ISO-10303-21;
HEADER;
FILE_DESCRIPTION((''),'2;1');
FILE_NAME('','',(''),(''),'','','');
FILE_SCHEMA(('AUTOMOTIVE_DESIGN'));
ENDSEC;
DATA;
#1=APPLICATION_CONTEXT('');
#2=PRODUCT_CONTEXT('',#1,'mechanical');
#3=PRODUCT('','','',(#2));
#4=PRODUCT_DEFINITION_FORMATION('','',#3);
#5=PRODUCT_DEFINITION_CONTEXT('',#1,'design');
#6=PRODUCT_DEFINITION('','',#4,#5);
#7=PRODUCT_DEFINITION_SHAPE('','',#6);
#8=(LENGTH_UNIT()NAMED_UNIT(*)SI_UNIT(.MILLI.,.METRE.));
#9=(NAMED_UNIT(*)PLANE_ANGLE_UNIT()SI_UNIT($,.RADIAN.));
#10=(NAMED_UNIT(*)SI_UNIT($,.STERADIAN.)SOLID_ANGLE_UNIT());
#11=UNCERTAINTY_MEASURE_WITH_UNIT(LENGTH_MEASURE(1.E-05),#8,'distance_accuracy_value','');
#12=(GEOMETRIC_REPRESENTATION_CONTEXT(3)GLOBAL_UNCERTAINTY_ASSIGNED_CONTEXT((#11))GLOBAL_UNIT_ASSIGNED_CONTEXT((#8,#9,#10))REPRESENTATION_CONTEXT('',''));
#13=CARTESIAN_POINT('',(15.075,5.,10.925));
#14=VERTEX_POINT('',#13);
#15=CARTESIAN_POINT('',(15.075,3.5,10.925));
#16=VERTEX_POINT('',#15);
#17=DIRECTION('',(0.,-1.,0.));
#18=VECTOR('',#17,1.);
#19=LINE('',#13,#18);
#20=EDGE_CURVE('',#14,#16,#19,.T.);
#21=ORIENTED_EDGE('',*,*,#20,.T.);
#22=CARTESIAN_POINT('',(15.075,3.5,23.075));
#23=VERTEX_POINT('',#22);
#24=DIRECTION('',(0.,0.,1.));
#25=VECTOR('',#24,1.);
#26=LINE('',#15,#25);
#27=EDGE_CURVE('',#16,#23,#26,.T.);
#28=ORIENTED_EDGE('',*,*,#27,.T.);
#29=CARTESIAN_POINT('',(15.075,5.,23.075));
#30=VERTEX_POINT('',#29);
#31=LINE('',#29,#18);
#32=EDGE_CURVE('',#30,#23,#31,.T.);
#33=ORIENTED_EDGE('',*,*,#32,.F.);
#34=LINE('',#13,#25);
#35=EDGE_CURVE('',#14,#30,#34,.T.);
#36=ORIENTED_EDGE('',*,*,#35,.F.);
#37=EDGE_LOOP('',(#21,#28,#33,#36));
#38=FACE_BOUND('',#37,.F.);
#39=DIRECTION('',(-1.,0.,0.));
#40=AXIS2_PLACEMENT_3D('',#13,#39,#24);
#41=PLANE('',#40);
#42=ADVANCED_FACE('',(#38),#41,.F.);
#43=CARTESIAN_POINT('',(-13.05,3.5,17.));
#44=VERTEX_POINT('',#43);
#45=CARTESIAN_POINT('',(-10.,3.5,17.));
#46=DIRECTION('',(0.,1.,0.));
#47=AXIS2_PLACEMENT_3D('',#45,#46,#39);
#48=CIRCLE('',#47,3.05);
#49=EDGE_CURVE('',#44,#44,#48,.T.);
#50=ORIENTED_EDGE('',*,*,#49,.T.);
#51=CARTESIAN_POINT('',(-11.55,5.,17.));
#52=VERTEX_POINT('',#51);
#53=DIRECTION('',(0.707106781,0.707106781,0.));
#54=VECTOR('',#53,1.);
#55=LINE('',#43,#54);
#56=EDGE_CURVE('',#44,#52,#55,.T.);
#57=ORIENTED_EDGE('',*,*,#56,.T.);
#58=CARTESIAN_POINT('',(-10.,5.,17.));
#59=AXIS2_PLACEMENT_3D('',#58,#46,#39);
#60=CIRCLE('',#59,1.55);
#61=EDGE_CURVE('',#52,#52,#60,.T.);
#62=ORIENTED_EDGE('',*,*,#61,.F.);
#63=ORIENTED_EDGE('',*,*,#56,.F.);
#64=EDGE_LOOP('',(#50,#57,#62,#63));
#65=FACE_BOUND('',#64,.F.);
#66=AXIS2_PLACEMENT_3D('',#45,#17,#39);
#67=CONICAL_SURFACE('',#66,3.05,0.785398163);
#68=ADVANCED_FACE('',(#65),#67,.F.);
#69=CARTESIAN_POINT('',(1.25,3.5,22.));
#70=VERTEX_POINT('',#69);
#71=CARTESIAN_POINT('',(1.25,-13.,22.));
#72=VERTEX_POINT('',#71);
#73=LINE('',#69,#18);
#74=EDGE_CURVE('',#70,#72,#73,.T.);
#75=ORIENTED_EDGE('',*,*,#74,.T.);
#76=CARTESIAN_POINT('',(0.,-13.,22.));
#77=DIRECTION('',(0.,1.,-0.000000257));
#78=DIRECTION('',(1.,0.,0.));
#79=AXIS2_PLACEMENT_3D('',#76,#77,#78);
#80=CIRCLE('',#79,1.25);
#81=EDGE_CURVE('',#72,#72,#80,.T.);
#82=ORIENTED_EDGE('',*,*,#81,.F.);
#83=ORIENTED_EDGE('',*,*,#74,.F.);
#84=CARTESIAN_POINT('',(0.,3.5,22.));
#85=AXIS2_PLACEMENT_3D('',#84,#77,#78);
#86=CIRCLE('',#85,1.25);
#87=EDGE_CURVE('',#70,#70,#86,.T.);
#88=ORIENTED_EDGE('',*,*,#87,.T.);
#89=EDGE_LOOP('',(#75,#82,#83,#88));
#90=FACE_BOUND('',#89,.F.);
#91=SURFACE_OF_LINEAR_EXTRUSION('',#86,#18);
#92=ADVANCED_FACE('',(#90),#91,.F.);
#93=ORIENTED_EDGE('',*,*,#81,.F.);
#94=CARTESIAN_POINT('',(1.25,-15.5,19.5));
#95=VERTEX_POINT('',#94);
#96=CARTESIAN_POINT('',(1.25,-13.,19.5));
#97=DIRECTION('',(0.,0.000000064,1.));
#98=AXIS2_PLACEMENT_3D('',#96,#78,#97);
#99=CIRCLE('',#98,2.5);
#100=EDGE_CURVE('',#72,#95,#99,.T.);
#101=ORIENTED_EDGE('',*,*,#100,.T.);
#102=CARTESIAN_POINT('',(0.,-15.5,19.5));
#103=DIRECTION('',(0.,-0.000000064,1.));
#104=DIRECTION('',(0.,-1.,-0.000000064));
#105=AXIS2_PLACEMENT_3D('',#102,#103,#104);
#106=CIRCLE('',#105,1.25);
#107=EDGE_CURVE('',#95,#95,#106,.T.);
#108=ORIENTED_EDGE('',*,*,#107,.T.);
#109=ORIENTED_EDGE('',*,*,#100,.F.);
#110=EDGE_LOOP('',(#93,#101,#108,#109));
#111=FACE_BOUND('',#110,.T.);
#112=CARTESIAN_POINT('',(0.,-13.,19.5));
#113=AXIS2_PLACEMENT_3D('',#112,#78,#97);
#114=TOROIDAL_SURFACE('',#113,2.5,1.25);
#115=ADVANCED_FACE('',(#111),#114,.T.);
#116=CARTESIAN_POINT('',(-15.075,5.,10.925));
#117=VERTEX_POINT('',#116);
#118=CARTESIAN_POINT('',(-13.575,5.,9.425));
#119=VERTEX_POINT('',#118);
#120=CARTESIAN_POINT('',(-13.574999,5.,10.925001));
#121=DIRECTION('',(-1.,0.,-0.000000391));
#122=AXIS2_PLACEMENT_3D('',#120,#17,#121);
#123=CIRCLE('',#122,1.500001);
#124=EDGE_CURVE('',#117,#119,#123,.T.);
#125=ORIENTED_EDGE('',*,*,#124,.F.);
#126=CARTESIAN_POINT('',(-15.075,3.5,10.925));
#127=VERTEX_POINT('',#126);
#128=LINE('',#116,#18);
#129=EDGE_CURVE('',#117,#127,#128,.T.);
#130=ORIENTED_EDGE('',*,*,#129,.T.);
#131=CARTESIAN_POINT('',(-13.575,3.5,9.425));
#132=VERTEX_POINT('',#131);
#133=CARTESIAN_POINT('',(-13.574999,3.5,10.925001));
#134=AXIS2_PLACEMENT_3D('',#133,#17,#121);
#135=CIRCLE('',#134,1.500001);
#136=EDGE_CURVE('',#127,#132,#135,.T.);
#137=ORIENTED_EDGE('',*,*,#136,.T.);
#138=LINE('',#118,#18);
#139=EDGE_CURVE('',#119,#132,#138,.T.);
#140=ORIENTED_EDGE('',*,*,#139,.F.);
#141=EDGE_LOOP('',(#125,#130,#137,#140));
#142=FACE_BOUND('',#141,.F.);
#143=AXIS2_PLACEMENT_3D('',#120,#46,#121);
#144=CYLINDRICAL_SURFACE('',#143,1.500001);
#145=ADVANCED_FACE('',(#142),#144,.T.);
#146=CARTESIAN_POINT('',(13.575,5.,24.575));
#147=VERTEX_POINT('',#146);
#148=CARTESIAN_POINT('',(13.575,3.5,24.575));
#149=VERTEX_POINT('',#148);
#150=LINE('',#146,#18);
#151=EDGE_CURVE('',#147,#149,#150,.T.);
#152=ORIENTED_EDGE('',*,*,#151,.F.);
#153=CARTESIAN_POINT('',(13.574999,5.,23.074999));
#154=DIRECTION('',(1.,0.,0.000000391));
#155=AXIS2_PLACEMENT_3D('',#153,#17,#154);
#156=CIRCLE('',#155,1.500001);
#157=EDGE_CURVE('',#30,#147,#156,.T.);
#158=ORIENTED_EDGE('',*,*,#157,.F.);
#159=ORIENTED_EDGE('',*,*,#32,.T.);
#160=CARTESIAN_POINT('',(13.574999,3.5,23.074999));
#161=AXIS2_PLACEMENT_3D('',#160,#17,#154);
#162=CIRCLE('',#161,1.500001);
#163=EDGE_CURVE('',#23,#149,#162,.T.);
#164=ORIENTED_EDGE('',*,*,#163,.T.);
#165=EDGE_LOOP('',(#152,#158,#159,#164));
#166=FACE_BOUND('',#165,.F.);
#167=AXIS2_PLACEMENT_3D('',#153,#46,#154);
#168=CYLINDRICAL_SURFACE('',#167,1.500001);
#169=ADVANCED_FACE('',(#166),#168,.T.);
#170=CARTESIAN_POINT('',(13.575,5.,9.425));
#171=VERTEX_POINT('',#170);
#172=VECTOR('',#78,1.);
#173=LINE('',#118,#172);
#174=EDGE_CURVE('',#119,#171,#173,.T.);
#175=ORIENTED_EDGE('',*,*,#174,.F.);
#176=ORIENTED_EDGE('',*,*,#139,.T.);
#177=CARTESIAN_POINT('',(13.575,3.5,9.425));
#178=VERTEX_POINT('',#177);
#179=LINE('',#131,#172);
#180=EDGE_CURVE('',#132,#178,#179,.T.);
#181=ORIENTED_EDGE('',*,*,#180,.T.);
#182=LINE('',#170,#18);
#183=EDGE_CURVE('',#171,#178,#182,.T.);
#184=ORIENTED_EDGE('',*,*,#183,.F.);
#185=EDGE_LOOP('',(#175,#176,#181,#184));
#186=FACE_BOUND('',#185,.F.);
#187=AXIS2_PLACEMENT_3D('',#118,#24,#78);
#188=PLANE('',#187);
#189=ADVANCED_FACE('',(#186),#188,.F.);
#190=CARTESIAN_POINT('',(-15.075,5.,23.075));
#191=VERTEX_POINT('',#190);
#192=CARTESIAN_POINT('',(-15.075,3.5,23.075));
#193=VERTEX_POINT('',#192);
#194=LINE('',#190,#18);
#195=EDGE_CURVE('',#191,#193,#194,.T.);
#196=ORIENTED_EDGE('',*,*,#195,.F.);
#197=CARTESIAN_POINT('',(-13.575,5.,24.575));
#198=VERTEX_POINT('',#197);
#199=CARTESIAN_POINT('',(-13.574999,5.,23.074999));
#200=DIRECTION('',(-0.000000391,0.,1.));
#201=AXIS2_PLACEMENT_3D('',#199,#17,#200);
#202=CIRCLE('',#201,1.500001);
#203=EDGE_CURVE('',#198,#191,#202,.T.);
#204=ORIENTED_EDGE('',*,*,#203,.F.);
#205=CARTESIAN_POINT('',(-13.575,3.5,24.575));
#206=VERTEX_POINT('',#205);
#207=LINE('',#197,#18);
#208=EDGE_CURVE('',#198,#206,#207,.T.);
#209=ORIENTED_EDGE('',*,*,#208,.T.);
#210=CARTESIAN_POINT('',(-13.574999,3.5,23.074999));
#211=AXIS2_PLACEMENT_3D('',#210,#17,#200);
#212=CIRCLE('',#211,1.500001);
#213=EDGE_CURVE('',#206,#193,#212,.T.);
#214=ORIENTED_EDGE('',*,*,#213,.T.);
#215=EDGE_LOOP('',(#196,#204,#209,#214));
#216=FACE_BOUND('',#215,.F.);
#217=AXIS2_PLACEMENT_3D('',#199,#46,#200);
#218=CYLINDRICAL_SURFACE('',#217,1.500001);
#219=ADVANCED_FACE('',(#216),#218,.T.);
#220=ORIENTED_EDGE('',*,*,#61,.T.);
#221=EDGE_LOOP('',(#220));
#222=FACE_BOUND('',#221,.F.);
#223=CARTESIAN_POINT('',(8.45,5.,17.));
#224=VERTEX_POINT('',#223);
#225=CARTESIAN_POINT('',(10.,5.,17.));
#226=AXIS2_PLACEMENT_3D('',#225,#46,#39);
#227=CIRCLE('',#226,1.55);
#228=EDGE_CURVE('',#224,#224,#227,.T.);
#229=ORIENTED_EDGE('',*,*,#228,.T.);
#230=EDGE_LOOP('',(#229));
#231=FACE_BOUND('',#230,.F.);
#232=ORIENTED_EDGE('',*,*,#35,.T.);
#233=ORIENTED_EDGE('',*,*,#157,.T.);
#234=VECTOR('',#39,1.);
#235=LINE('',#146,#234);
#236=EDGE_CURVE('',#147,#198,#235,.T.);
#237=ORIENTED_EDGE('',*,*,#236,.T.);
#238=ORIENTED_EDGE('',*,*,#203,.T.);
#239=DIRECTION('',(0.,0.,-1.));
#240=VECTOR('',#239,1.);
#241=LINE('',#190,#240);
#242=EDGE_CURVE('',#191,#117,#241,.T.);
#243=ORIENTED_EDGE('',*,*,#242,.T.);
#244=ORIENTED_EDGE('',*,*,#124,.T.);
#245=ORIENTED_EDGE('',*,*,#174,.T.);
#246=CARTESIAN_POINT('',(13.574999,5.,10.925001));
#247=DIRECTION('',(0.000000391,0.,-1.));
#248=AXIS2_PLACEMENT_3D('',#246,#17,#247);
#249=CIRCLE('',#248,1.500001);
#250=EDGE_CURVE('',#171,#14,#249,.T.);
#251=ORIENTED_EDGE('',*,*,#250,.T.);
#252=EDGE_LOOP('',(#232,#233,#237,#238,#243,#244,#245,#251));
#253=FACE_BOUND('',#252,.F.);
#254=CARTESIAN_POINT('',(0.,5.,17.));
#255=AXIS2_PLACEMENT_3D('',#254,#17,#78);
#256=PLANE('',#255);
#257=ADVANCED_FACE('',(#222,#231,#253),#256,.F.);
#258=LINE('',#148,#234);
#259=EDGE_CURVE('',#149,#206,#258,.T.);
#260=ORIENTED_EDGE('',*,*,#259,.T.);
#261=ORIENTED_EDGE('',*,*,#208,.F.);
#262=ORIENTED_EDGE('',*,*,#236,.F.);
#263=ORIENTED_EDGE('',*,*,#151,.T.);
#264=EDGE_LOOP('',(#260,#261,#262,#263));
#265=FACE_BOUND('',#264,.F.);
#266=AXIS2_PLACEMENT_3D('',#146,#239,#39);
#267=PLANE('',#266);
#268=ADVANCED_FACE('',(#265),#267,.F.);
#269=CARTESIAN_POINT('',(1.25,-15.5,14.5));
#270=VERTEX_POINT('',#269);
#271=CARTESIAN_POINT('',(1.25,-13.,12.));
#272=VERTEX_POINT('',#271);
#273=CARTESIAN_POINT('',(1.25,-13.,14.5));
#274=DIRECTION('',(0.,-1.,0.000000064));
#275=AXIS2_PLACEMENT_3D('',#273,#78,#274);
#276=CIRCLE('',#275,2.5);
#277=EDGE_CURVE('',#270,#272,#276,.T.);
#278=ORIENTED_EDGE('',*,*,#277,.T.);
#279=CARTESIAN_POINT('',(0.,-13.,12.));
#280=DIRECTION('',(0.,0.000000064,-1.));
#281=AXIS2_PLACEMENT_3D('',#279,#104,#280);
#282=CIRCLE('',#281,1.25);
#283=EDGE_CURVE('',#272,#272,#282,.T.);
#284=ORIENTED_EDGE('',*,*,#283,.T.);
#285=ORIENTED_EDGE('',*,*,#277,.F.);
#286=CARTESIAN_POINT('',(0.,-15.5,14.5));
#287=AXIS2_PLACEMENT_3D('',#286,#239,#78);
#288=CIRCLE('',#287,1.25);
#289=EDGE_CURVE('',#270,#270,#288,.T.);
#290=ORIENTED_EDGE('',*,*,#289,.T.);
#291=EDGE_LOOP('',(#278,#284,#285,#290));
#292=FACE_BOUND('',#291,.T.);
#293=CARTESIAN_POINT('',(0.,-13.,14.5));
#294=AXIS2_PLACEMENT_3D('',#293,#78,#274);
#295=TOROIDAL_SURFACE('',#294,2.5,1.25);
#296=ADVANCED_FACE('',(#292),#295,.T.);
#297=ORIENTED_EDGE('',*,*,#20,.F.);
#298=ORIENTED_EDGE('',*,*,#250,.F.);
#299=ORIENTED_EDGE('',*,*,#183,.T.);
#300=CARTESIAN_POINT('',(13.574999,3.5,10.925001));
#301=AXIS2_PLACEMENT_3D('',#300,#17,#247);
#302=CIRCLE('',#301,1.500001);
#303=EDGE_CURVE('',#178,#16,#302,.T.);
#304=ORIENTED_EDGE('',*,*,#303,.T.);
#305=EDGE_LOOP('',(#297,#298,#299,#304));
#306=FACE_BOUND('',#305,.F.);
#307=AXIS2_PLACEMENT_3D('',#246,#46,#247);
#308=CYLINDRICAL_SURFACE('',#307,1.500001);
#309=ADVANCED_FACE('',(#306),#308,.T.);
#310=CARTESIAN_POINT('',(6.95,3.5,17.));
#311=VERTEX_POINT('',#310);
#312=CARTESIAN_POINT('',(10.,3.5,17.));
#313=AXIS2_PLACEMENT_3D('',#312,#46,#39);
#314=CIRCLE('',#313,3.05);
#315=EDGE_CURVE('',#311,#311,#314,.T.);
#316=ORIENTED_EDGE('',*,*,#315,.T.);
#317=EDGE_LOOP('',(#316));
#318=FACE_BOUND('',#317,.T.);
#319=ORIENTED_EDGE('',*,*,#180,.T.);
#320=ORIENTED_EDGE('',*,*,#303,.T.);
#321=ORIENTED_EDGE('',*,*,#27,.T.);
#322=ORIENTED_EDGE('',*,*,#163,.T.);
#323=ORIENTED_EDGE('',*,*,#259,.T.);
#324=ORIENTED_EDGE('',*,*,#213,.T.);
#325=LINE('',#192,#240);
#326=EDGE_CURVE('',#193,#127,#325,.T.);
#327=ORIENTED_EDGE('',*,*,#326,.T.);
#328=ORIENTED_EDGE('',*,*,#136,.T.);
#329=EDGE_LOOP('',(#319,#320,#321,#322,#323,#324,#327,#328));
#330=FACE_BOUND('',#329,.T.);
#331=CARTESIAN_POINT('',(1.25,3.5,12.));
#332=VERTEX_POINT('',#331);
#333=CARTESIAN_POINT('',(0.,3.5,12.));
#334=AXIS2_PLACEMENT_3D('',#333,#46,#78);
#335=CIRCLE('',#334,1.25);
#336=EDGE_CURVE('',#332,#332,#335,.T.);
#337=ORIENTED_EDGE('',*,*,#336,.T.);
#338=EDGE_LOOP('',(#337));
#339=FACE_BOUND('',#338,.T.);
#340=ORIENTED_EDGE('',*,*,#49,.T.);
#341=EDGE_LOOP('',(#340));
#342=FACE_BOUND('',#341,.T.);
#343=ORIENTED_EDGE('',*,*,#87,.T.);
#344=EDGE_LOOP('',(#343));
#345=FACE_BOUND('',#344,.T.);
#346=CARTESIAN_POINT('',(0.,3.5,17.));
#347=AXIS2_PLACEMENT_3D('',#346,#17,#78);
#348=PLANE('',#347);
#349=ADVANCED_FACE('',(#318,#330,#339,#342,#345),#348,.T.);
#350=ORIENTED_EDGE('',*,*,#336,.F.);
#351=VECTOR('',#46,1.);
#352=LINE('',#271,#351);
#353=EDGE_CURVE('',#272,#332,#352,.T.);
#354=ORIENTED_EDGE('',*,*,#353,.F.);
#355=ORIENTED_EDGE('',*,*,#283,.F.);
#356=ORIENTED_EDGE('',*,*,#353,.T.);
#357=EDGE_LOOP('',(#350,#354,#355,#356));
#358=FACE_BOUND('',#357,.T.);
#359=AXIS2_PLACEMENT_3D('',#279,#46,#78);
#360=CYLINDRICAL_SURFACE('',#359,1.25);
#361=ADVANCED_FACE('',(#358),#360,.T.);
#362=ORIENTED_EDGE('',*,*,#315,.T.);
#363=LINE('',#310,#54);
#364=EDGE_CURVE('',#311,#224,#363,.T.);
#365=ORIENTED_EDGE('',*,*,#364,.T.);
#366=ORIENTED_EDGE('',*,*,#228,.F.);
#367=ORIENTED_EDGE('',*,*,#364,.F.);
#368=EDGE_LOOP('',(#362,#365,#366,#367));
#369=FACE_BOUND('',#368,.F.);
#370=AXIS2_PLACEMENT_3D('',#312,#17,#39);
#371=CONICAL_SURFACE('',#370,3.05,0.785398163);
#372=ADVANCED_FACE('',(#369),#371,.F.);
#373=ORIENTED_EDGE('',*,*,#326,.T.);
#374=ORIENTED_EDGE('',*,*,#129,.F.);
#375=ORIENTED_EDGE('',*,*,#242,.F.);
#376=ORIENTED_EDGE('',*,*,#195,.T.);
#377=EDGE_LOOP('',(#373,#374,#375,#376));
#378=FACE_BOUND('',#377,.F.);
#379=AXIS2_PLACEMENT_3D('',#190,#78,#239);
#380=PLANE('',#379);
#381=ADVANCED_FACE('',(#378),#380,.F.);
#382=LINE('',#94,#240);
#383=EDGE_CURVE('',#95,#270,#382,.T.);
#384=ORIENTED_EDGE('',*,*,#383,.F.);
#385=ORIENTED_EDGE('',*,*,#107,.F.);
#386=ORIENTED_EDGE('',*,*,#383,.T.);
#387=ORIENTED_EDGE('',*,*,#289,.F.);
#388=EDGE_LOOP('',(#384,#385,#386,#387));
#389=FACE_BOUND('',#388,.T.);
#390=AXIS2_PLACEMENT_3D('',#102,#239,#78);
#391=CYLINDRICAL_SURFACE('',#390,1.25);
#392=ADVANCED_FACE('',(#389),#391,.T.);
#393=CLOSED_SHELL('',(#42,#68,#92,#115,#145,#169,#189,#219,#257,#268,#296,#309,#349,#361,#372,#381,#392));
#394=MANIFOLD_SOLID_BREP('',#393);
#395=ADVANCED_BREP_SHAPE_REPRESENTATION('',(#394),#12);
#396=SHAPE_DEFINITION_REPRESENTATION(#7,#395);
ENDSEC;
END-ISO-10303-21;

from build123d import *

# Parameters (mm, degrees)
PAD003_DEPTH        = 1.5
HOLE001_D           = 3
HOLE001_DEPTH       = 25
HOLE001_CSINK_D     = 6.1
HOLE001_CSINK_ANGLE = 90
SKETCH009_R         = 1.25


with BuildPart() as part:
    # Sketch006 → Pad003 (new body)
    with BuildSketch(Plane.XZ):
        with BuildLine():
            Line((-15.075, 6.075), (-15.075, -6.075))
            ThreePointArc((-15.075, -6.075), (-14.63566, -7.13566), (-13.575, -7.575))
            Line((-13.575, -7.575), (13.575, -7.575))
            ThreePointArc((13.575, -7.575), (14.63566, -7.13566), (15.075, -6.075))
            Line((15.075, -6.075), (15.075, 6.075))
            ThreePointArc((15.075, 6.075), (14.63566, 7.13566), (13.575, 7.575))
            Line((13.575, 7.575), (-13.575, 7.575))
            ThreePointArc((-13.575, 7.575), (-14.63566, 7.13566), (-15.075, 6.075))
        make_face()
    extrude(amount=PAD003_DEPTH)

    # Hole001
    with Locations(Plane.XZ.offset(1.5)):
        with Locations((-10, 0), (10, 0)):
            CounterSinkHole(HOLE001_D / 2, HOLE001_CSINK_D / 2, depth=HOLE001_DEPTH, counter_sink_angle=HOLE001_CSINK_ANGLE)

    # AdditivePipe: sweep along a path in Sketch008
    with BuildLine(Plane.YZ) as additivepipe_path:
        Line((-1.5, 5), (-18, 5))
        ThreePointArc((-18, 5), (-19.767767, 4.267767), (-20.5, 2.5))
        Line((-20.5, 2.5), (-20.5, -2.5))
        ThreePointArc((-20.5, -2.5), (-19.767767, -4.267767), (-18, -5))
        Line((-18, -5), (-1.5, -5))
    # Sketch009 (on Face5 of Hole001) → AdditivePipe (sweep)
    with BuildSketch(Plane.XZ.offset(1.5)):
        with Locations((0, -5)):
            Circle(SKETCH009_R)
    sweep(path=additivepipe_path.line)


with BuildPart() as part_1:
    # Body001 placement: moved
    add(part.part.moved(Location((0, 5, 17))))


solid = part_1.part
